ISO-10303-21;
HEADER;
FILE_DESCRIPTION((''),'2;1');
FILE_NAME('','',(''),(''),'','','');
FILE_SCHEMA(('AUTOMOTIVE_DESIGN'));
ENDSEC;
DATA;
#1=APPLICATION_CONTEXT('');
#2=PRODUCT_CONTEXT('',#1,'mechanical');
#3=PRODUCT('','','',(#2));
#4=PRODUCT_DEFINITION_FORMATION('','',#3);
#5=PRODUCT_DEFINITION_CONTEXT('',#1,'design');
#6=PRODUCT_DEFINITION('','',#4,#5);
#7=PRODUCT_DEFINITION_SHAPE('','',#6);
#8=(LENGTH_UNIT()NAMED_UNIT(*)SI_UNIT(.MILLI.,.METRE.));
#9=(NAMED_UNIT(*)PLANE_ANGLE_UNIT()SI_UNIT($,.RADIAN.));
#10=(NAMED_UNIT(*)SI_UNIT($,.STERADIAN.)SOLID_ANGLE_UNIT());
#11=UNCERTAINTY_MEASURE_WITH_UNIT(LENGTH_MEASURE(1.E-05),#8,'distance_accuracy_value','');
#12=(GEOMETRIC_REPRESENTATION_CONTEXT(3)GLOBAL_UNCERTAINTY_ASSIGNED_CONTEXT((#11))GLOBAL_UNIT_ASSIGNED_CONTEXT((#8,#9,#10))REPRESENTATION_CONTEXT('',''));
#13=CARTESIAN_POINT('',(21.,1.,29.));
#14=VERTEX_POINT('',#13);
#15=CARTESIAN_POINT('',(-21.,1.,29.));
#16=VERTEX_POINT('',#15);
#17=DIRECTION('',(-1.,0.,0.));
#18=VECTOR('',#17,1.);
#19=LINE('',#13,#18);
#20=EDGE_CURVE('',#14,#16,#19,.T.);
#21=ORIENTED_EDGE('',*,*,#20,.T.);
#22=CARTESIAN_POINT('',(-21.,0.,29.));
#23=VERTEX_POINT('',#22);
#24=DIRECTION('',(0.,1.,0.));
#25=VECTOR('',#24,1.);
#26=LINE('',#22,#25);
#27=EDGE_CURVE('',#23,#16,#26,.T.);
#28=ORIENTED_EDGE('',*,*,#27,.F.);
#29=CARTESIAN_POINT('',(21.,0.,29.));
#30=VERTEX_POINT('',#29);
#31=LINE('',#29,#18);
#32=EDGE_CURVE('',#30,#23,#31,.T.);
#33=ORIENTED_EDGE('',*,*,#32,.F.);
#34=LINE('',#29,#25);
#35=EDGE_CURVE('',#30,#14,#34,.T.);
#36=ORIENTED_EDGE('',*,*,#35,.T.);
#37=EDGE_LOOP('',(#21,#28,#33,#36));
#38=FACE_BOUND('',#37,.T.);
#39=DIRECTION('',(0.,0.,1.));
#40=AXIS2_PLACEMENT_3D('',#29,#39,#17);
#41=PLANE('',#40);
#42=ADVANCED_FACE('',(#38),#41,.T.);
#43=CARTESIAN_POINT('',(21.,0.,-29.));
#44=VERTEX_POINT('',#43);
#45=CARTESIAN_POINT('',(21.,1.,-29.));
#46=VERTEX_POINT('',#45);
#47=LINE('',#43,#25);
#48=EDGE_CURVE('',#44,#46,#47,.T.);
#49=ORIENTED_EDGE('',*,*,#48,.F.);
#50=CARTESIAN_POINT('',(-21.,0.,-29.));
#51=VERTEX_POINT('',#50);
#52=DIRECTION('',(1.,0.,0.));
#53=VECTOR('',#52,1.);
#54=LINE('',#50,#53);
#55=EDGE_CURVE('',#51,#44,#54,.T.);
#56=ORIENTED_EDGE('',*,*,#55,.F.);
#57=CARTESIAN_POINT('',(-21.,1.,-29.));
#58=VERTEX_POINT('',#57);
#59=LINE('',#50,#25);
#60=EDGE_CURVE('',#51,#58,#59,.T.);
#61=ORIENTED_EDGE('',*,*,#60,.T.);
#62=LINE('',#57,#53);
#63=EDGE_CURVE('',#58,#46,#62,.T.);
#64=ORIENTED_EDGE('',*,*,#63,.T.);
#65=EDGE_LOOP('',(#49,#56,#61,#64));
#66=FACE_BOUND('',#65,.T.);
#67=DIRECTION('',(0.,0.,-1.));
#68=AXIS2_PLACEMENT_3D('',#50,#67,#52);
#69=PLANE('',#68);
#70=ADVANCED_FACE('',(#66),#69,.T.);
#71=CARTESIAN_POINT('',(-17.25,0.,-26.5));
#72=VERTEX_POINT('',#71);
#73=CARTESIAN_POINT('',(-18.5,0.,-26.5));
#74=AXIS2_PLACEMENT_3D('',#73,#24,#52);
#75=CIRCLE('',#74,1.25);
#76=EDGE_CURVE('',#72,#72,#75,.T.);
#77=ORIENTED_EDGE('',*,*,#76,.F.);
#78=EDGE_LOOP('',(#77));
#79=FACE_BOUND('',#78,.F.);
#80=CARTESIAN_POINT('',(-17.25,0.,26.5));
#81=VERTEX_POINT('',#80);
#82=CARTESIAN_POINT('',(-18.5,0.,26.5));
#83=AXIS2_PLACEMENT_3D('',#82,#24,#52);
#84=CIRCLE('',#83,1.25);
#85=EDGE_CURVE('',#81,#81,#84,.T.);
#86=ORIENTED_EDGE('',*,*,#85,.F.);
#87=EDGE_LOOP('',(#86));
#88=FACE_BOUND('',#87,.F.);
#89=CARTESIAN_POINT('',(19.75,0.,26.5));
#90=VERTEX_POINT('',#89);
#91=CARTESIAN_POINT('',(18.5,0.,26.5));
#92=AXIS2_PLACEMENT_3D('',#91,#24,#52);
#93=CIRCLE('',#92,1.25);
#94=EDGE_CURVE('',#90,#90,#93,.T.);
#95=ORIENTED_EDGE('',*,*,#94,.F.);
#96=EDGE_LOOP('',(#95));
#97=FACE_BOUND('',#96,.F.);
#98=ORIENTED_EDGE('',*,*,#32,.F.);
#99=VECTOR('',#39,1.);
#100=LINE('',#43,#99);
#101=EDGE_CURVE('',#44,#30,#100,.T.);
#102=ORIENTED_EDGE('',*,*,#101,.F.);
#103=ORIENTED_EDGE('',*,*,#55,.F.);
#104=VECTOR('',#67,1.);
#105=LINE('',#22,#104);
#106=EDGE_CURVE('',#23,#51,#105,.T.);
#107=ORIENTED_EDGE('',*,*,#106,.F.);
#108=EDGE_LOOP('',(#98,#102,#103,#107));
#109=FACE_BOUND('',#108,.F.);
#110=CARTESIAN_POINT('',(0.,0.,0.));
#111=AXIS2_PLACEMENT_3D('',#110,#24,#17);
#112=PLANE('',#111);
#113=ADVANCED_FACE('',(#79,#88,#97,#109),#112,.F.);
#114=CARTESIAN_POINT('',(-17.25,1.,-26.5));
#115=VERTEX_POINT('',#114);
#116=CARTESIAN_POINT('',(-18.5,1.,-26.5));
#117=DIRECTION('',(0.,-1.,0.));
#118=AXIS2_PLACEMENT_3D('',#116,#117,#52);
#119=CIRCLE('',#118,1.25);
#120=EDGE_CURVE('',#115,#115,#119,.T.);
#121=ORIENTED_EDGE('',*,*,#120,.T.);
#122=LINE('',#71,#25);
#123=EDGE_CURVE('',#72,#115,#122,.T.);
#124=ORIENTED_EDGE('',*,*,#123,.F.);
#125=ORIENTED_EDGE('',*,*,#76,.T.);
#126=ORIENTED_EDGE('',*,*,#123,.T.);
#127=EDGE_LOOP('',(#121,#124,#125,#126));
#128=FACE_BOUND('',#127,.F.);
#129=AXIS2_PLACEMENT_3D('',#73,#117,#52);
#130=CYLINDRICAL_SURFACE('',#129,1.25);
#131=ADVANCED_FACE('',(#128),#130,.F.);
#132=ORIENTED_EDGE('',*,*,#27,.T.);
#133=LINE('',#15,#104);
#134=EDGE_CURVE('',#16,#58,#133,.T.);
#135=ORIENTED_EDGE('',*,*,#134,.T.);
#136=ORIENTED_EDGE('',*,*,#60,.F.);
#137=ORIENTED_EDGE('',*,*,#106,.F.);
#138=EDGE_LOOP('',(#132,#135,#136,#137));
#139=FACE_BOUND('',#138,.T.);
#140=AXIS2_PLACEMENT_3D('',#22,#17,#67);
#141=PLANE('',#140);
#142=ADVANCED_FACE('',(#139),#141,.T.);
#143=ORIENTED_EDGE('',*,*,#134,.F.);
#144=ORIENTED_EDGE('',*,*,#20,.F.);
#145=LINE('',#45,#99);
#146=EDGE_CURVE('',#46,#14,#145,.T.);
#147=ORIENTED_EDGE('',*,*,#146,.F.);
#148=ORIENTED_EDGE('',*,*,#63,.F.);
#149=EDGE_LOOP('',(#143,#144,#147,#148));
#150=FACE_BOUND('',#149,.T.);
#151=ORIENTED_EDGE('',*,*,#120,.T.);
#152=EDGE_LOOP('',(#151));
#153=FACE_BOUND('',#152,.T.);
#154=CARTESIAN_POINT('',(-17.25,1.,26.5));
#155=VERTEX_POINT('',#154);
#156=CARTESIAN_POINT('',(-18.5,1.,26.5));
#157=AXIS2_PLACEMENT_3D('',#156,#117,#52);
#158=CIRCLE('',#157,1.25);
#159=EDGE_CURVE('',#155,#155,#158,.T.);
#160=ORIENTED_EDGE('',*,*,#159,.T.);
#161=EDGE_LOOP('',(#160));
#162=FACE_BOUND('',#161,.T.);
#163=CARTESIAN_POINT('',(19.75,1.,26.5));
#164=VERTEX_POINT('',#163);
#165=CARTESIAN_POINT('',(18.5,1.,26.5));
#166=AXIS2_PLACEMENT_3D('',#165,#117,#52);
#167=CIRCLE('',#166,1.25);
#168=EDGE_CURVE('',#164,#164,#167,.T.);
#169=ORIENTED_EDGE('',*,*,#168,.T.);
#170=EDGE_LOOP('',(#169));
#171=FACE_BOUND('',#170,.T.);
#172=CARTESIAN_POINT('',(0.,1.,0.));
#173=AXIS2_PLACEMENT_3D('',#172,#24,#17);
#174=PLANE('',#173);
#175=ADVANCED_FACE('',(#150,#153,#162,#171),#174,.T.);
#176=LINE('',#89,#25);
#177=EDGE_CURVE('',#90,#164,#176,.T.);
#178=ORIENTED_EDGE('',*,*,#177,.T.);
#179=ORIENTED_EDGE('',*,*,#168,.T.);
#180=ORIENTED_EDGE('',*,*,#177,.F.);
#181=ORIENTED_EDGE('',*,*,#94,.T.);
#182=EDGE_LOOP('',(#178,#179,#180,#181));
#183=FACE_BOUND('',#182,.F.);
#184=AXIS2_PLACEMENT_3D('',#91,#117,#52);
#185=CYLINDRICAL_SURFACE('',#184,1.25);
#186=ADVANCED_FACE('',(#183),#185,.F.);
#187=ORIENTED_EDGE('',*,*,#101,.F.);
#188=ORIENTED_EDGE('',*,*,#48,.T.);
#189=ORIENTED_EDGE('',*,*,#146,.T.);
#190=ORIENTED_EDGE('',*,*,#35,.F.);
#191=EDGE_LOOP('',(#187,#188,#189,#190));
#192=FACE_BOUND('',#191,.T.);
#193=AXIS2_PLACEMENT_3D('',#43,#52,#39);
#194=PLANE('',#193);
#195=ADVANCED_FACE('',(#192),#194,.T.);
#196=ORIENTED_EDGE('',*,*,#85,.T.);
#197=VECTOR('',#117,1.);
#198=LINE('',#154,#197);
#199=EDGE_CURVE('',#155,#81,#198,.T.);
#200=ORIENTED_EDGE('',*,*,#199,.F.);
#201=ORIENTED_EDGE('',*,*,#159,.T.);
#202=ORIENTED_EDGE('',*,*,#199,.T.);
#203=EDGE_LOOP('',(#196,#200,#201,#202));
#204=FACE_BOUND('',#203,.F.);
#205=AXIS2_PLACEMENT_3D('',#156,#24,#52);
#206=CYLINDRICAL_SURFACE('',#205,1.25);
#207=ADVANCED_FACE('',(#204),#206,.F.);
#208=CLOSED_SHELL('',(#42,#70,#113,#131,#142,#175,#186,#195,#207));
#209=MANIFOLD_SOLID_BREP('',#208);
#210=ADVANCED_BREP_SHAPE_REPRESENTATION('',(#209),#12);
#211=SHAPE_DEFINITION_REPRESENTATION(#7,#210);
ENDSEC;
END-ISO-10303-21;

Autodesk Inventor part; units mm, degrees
ref_plane "YZ Plane" through (0, 0, 0) normal (1, 0, 0) x (0, 1, 0)
ref_plane "XZ Plane" through (0, 0, 0) normal (0, 1, 0) x (-1, 0, 0)
ref_plane "XY Plane" through (0, 0, 0) normal (0, 0, 1) x (1, 0, 0)
sketch "Sketch1" plane through (0, 0, 0) normal (0, 1, 0) x (-1, 0, 0)
  line L0 (-21, 29) -> (21, 29)
  line L1 (21, 29) -> (21, -29)
  line L2 (21, -29) -> (-21, -29)
  line L3 (-21, -29) -> (-21, 29)
  line L4 (-21, 29) -> (21, -29) construction
  line L5 (21, 29) -> (-21, -29) construction
  point P0 (0, 0)
  dimension "d0" = 42
  dimension "d1" = 58
extrude "Extrusion1" add sketch "Sketch1" along normal blind 1
sketch "Sketch2" plane through (0, 1, 0) normal (0, 1, 0) x (1, 0, 0)
  line L0 (-20.998, 28.8101) -> (20.8952, 28.8101) construction
  line L1 (20.8952, 28.8101) -> (20.8952, -28.9985) construction
  line L2 (20.8952, -28.9985) -> (-20.998, -28.9985) construction
  line L3 (-20.998, -28.9985) -> (-20.998, 28.8101) construction
  point P0 (0, 0)
sketch "Sketch3" plane through (0, 0, 0) normal (0, -1, 0) x (1, 0, 0)
  line L0 (-20.9976, 28.7529) -> (21.0508, 28.7529) construction
  line L1 (21.0508, 28.7529) -> (21.0508, -28.9972) construction
  line L2 (21.0508, -28.9972) -> (-20.9976, -28.9972) construction
  line L3 (-20.9976, -28.9972) -> (-20.9976, 28.7529) construction
  point P0 (0, 0)
sketch "Sketch4" plane through (0, 0, 0) normal (0, -1, 0) x (1, 0, 0)
  line L0 (-21, 29) -> (21, 29) projected
  line L1 (21, 29) -> (18.5, 29)
  line L2 (18.5, 29) -> (18.5, 26.5)
  line L3 (18.5, 26.5) -> (21, 26.5)
  line L4 (21, 26.5) -> (21, 29)
  circle A0 centre (18.5, 26.5) radius 1.25
  point P0 (0, 0)
  dimension "d42" = 2.5
  dimension "d43" = 2.5
  dimension "d44" = 2.5
extrude "Extrusion2" cut sketch "Sketch4" against normal through all contours A0 L3 L2 | L2 L3 A0
sketch "Sketch5" plane through (0, 0, 0) normal (0, -1, 0) x (1, 0, 0)
  line L0 (-21, -29) -> (21, -29) projected
  line L1 (-21, -29) -> (-18.5, -29)
  line L2 (-18.5, -29) -> (-18.5, -26.5)
  line L3 (-18.5, -26.5) -> (-21, -26.5)
  line L4 (-21, -26.5) -> (-21, -29)
  circle A0 centre (-18.5, -26.5) radius 1.25
  point P0 (0, 0)
  dimension "d49" = 2.5
  dimension "d50" = 2.5
  dimension "d51" = 2.5
extrude "Extrusion3" cut sketch "Sketch5" against normal through all contours A0 L3 L2 | L2 L3 A0
sketch "Sketch6" plane through (0, 1, 0) normal (0, 1, 0) x (1, 0, 0)
  line L0 (-21, -29) -> (21, -29) projected
  line L1 (-21, -29) -> (-18.5, -29)
  line L2 (-18.5, -29) -> (-18.5, -26.5)
  line L3 (-18.5, -26.5) -> (-21, -26.5)
  line L4 (-21, -26.5) -> (-21, -29)
  circle A0 centre (-18.5, -26.5) radius 1.25
  point P0 (0, 0)
  dimension "d60" = 2.5
  dimension "d61" = 2.5
  dimension "d62" = 2.5
extrude "Extrusion4" cut sketch "Sketch6" against normal up to next contours A0 L3 L2 | L2 L3 A0
properties part number "regulator"
